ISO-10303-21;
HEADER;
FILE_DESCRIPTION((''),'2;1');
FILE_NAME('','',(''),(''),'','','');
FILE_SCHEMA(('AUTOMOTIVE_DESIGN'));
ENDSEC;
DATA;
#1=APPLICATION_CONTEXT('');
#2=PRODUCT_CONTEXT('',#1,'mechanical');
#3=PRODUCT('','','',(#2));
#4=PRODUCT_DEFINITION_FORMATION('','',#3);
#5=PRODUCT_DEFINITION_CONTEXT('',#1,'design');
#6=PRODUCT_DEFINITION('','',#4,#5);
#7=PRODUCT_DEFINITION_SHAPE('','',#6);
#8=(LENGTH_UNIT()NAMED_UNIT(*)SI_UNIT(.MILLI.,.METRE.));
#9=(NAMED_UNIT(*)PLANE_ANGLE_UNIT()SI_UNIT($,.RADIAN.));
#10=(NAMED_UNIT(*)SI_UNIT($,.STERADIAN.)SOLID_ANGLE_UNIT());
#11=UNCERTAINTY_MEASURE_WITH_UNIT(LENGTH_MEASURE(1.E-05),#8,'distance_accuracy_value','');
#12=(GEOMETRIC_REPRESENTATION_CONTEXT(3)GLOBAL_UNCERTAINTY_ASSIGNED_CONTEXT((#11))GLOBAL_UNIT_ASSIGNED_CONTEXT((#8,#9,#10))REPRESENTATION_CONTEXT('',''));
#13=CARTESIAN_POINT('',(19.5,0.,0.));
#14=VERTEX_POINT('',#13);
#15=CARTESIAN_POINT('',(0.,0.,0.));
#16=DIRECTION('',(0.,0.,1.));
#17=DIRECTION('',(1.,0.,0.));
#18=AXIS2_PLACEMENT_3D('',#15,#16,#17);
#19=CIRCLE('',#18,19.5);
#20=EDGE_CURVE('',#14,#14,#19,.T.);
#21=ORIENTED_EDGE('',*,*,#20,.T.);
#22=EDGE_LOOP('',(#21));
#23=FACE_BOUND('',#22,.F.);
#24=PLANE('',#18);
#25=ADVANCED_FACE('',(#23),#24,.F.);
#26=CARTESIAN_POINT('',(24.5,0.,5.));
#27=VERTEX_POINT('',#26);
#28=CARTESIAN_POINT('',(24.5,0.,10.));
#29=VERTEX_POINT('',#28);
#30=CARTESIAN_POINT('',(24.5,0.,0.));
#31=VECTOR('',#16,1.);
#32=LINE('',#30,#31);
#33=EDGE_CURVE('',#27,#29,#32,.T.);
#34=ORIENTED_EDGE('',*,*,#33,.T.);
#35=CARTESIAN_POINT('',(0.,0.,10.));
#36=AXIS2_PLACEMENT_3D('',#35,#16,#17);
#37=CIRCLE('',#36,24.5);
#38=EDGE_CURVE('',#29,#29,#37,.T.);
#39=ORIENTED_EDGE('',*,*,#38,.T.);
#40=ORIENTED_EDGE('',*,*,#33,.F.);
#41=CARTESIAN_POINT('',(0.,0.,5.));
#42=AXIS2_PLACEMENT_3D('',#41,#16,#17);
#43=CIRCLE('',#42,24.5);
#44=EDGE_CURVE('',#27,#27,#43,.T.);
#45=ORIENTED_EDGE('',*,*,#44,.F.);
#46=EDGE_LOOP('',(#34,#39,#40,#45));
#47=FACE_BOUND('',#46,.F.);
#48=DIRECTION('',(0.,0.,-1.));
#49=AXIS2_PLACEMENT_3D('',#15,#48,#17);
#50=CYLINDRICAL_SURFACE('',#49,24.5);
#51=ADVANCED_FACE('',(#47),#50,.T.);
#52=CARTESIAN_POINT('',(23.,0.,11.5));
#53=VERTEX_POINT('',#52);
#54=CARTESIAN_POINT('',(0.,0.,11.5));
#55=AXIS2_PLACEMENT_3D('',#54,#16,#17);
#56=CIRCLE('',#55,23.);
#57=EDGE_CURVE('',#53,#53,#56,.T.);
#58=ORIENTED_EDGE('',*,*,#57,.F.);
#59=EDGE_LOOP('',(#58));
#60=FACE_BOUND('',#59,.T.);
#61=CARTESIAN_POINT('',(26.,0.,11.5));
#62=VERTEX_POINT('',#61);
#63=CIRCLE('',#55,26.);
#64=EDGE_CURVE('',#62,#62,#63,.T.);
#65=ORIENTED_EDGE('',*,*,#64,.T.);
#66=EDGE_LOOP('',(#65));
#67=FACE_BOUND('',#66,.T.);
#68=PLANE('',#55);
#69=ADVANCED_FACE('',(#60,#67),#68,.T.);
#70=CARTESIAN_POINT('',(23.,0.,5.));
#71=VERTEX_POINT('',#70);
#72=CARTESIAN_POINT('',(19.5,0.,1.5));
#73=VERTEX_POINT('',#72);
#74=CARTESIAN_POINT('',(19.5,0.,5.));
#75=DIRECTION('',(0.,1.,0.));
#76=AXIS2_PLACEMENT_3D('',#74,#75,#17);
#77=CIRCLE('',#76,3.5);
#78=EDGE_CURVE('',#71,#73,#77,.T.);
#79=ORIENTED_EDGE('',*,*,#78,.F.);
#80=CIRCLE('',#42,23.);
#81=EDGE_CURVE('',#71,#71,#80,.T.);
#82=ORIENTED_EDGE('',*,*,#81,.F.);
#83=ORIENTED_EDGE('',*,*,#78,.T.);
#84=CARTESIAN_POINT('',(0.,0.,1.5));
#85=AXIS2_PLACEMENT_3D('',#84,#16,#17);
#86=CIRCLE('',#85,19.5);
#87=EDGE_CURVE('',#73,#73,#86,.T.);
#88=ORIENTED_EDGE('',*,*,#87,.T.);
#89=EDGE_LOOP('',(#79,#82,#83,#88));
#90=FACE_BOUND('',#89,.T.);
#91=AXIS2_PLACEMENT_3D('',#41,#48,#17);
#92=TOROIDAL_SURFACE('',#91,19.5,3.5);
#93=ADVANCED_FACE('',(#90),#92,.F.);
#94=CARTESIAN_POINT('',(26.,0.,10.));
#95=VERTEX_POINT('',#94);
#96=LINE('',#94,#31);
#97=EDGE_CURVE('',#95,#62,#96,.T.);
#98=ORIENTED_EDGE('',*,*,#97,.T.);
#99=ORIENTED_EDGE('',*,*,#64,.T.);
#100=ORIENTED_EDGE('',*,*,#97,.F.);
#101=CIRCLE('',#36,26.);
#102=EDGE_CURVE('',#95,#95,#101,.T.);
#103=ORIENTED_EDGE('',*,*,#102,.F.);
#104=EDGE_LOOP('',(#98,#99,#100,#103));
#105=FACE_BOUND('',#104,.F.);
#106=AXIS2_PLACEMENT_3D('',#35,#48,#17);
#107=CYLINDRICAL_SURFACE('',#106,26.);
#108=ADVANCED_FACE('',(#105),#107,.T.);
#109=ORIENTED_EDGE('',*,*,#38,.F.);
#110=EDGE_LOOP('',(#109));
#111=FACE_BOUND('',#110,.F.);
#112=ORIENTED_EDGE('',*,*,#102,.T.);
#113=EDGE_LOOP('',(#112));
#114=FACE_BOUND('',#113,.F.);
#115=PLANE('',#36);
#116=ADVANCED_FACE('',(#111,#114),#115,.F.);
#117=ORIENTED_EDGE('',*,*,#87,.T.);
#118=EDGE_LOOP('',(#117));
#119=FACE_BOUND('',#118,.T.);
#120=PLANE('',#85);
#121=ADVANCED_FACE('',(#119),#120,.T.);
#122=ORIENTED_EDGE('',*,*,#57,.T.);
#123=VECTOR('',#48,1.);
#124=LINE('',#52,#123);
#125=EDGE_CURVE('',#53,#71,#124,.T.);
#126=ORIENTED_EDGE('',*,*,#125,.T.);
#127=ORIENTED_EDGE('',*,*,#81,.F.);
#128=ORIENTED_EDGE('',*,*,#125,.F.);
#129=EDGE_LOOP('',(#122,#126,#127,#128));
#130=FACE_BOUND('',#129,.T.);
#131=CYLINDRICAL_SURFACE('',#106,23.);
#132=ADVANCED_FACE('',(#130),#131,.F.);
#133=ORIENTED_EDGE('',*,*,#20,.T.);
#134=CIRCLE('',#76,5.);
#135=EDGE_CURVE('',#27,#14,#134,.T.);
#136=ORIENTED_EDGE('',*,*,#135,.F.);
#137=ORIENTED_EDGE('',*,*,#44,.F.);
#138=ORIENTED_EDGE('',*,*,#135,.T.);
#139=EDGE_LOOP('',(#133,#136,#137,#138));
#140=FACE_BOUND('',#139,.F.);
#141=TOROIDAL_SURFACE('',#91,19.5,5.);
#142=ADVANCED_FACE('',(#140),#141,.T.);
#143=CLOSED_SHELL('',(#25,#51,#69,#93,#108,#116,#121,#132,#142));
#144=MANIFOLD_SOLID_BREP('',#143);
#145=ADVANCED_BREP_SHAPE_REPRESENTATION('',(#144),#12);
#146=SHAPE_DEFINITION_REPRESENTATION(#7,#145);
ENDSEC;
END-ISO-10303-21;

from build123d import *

# Parameters (mm, degrees)
SKETCH_R      = 24.5
PAD_DEPTH     = 10
FILLET_R      = 5
THICKNESS_T   = -1.5
SKETCH001_R   = 26
SKETCH001_R_2 = 23
PAD001_DEPTH  = 1.5


with BuildPart() as part:
    # Sketch → Pad (new body)
    with BuildSketch(Plane.XY):
        Circle(SKETCH_R)
    extrude(amount=PAD_DEPTH)

    # Fillet
    fillet_edges = [part.edges().sort_by_distance(p)[0] for p in [
        (-24.5, 0, 0),
    ]]
    fillet(fillet_edges, radius=FILLET_R)

    # Thickness
    thickness_openings = [part.faces().sort_by_distance(p)[0] for p in [
        (0, 0, 10),
    ]]
    offset(amount=THICKNESS_T, openings=thickness_openings)

    # Sketch001 → Pad001 (new body)
    with BuildSketch(Plane.XY.offset(10)):
        Circle(SKETCH001_R)
        Circle(SKETCH001_R_2, mode=Mode.SUBTRACT)
    extrude(amount=PAD001_DEPTH)


solid = part.part
